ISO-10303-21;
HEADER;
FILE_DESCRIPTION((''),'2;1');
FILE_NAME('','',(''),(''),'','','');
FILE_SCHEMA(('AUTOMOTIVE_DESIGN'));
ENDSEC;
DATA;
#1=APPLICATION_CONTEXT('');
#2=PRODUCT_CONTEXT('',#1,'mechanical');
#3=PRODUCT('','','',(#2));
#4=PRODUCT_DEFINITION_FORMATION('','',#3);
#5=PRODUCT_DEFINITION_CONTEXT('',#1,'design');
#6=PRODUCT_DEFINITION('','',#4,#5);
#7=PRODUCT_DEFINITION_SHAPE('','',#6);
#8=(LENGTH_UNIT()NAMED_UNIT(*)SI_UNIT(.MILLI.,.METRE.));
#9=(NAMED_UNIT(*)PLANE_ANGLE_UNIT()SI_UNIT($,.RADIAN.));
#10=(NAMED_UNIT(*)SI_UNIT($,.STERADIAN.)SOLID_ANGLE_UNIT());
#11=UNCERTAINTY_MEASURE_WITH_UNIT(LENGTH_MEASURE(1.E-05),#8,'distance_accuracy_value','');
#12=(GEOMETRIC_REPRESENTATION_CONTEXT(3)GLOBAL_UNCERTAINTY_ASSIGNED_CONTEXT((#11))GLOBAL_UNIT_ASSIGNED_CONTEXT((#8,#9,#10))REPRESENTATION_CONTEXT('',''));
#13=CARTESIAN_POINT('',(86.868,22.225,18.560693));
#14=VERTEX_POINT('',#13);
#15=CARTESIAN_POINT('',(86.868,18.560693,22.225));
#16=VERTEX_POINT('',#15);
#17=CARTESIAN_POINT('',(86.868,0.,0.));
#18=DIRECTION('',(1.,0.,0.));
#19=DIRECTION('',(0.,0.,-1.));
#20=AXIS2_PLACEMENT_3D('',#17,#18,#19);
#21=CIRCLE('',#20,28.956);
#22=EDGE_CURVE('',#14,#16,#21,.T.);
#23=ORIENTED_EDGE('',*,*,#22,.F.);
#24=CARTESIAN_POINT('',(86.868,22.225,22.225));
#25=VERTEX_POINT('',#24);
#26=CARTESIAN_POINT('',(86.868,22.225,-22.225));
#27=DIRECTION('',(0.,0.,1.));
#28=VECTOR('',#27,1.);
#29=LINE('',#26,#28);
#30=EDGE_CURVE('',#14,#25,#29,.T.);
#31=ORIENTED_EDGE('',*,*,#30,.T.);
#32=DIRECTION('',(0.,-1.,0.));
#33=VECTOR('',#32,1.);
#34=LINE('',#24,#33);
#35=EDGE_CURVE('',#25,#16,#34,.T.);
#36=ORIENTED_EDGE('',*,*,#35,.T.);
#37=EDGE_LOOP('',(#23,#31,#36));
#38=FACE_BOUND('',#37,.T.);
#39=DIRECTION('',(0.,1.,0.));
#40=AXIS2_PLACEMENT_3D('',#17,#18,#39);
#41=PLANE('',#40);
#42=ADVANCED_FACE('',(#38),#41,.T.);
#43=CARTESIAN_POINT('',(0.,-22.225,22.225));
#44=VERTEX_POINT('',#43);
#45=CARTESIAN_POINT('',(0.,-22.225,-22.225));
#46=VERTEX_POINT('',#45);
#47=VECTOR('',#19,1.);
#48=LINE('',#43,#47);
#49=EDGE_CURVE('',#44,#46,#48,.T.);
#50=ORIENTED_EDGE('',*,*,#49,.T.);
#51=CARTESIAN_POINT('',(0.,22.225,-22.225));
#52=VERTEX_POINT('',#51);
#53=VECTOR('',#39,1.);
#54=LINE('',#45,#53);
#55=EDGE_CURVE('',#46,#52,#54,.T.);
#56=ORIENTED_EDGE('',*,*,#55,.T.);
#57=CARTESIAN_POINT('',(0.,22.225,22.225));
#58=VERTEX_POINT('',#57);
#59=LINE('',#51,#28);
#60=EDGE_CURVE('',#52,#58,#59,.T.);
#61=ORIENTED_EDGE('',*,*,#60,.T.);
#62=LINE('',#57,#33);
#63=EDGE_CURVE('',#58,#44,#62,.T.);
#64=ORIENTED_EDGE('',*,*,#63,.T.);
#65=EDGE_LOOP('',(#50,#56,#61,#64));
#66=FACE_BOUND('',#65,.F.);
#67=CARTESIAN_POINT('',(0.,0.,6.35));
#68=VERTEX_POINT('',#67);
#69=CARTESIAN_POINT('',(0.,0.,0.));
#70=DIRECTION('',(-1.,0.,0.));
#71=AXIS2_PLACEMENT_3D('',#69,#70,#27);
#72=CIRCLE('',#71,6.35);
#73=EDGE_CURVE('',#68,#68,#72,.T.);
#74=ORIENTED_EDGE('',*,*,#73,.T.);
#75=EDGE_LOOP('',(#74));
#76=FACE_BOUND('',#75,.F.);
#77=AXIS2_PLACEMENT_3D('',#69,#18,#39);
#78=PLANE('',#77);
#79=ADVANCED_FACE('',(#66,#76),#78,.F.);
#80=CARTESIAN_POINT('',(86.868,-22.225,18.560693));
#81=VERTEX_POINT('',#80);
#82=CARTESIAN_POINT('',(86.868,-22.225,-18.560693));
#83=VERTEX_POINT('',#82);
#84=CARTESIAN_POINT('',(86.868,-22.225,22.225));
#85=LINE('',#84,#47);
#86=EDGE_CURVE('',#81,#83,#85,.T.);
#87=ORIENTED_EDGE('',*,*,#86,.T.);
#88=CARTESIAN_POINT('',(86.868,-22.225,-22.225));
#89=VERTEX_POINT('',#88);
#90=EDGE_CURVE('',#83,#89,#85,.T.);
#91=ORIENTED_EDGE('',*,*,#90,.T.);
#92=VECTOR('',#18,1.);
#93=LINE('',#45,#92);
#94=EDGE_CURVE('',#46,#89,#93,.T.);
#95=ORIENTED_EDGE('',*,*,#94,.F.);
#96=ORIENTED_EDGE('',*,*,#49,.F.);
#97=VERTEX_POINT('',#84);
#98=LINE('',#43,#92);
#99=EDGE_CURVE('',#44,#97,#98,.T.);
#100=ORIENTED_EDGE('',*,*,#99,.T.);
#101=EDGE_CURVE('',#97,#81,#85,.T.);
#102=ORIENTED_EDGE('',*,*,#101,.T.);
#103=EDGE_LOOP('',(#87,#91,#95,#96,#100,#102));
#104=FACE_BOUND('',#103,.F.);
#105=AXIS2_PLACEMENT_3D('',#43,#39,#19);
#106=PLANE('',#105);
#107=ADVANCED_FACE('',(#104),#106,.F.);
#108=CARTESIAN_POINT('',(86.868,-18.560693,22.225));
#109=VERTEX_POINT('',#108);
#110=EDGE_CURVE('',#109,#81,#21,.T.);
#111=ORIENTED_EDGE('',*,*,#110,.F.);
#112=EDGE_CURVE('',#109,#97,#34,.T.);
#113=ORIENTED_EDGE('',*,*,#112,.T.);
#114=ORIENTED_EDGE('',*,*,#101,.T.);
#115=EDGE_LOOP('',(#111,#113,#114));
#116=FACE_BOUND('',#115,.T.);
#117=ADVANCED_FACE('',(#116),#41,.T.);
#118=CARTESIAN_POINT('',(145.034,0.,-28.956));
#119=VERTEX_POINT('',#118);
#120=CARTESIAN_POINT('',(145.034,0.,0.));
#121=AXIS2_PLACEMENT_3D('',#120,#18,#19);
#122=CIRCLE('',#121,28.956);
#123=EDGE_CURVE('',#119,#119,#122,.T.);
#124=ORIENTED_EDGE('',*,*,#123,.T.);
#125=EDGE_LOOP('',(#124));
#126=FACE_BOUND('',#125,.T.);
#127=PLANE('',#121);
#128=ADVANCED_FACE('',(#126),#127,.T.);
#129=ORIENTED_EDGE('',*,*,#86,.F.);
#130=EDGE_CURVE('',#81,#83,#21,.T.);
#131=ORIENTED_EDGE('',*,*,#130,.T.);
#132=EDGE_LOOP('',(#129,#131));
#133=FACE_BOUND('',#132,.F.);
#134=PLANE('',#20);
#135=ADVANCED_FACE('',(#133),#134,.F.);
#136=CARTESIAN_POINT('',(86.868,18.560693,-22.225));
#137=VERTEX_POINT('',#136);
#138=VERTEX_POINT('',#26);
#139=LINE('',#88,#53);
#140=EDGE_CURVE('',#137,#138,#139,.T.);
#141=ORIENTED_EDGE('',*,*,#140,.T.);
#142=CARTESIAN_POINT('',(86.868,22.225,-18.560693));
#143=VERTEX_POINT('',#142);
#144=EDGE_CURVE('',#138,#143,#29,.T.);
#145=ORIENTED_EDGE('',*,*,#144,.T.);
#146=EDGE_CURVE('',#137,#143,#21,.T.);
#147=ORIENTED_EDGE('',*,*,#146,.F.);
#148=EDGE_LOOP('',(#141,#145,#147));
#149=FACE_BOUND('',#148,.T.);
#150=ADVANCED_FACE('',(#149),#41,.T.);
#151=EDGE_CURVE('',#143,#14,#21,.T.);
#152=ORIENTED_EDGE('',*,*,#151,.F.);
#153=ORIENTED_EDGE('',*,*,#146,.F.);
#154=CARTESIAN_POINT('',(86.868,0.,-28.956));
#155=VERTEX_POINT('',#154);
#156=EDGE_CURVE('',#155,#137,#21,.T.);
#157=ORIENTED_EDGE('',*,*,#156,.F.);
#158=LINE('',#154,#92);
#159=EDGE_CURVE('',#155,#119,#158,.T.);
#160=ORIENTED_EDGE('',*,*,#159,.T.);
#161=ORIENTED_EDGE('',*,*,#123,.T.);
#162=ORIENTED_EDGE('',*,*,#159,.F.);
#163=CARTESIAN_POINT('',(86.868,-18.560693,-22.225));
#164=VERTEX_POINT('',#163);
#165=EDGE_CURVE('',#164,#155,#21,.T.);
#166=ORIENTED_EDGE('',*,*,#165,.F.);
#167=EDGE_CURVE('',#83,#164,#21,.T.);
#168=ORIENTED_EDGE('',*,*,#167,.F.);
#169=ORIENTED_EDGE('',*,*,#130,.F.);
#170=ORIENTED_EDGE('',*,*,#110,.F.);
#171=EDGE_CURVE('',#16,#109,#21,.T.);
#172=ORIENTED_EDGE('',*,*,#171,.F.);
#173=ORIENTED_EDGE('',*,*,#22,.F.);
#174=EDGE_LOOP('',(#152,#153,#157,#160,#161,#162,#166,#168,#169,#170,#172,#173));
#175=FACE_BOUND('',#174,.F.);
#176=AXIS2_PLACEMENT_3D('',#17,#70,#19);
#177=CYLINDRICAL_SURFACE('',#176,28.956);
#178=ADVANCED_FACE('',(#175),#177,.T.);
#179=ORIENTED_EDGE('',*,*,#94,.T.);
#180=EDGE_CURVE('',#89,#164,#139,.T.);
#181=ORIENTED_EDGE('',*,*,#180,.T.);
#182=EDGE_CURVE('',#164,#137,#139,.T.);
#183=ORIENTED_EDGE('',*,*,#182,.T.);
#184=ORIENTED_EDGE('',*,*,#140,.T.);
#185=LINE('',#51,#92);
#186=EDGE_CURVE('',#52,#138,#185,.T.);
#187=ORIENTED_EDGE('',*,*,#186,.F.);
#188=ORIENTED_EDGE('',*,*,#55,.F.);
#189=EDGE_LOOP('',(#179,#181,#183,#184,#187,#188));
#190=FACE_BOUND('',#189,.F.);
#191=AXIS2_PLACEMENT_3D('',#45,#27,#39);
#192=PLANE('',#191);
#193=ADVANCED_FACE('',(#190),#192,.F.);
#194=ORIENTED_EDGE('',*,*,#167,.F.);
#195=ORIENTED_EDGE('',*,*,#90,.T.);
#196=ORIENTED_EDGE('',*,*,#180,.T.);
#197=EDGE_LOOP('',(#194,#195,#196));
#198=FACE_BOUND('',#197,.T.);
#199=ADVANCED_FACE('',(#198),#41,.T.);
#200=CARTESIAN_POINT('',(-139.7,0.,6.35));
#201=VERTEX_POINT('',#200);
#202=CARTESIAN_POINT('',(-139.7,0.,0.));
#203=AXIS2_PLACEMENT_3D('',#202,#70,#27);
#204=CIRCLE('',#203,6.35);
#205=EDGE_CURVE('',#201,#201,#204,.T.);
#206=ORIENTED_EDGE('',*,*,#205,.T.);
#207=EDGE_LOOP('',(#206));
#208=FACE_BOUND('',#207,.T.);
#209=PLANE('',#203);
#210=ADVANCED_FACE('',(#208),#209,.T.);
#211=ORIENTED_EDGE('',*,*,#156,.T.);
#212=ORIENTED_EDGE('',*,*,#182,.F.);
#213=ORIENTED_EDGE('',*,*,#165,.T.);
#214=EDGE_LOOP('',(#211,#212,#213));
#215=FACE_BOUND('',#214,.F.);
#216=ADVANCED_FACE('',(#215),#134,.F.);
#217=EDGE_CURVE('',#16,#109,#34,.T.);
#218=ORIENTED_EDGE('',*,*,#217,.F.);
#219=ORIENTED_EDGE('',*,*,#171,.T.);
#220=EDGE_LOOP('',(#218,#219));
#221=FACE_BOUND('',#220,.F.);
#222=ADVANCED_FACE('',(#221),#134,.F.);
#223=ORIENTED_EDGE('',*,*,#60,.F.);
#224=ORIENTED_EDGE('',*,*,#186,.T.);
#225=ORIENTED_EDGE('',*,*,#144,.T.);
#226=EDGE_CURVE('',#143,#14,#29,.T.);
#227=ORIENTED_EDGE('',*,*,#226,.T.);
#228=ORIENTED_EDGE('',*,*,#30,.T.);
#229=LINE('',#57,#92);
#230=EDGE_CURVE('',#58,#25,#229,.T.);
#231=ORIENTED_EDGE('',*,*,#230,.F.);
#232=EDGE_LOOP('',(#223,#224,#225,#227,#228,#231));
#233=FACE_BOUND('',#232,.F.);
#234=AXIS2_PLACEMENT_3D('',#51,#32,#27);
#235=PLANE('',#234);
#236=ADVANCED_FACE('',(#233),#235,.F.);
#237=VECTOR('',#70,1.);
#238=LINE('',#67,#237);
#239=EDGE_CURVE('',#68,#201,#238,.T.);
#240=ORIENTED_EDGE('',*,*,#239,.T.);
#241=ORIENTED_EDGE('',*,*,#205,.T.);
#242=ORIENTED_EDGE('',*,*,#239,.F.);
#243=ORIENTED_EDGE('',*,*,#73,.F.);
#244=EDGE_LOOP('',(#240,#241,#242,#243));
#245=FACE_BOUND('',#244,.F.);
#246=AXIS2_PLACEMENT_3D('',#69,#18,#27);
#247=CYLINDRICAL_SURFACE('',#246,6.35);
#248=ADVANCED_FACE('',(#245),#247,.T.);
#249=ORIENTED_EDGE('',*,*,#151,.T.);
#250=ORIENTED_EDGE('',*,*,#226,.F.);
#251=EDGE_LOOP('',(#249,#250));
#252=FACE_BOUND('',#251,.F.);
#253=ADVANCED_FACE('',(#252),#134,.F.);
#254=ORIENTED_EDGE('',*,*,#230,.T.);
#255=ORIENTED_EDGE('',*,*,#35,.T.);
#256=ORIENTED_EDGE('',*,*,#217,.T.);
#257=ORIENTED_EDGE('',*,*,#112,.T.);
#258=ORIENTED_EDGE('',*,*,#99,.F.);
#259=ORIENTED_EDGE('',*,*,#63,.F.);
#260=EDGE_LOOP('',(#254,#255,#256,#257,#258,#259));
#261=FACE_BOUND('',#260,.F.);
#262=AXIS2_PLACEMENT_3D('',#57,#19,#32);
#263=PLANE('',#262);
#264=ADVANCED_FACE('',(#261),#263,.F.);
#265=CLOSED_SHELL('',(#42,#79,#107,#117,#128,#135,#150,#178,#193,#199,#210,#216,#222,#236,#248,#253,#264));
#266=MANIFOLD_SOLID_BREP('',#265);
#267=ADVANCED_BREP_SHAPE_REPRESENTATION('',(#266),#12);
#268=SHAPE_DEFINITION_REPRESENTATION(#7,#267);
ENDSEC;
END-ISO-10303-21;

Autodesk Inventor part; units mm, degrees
ref_plane "YZ Plane" through (0, 0, 0) normal (1, 0, 0) x (0, 1, 0)
ref_plane "XZ Plane" through (0, 0, 0) normal (0, 1, 0) x (-1, 0, 0)
ref_plane "XY Plane" through (0, 0, 0) normal (0, 0, 1) x (1, 0, 0)
sketch "Sketch1" plane through (0, 0, 0) normal (1, 0, 0) x (0, 1, 0)
  line L0 (22.225, 22.225) -> (-22.225, 22.225)
  line L1 (-22.225, 22.225) -> (-22.225, -22.225)
  line L2 (-22.225, -22.225) -> (22.225, -22.225)
  line L3 (22.225, -22.225) -> (22.225, 22.225)
  line L4 (22.225, 22.225) -> (-22.225, -22.225) construction
  line L5 (-22.225, 22.225) -> (22.225, -22.225) construction
  point P0 (0, 0)
  dimension "d0" = 44.45
  dimension "d1" = 44.45
extrude "Extrusion1" add sketch "Sketch1" along normal blind 86.868
sketch "Sketch2" plane through (86.868, 0, 0) normal (1, 0, 0) x (0, 0, -1)
  circle A0 centre (0, 0) radius 28.956
  dimension "d4" = 57.912
extrude "Extrusion2" add sketch "Sketch2" along normal blind 58.166
sketch "Sketch3" plane through (0, 0, 0) normal (-1, 0, 0) x (0, 0, 1)
  circle A0 centre (0, 0) radius 6.35
  dimension "d7" = 12.7
extrude "Extrusion3" add sketch "Sketch3" along normal blind 139.7
equation "\"d1\" = d0"
properties part number "MotorAxel"
